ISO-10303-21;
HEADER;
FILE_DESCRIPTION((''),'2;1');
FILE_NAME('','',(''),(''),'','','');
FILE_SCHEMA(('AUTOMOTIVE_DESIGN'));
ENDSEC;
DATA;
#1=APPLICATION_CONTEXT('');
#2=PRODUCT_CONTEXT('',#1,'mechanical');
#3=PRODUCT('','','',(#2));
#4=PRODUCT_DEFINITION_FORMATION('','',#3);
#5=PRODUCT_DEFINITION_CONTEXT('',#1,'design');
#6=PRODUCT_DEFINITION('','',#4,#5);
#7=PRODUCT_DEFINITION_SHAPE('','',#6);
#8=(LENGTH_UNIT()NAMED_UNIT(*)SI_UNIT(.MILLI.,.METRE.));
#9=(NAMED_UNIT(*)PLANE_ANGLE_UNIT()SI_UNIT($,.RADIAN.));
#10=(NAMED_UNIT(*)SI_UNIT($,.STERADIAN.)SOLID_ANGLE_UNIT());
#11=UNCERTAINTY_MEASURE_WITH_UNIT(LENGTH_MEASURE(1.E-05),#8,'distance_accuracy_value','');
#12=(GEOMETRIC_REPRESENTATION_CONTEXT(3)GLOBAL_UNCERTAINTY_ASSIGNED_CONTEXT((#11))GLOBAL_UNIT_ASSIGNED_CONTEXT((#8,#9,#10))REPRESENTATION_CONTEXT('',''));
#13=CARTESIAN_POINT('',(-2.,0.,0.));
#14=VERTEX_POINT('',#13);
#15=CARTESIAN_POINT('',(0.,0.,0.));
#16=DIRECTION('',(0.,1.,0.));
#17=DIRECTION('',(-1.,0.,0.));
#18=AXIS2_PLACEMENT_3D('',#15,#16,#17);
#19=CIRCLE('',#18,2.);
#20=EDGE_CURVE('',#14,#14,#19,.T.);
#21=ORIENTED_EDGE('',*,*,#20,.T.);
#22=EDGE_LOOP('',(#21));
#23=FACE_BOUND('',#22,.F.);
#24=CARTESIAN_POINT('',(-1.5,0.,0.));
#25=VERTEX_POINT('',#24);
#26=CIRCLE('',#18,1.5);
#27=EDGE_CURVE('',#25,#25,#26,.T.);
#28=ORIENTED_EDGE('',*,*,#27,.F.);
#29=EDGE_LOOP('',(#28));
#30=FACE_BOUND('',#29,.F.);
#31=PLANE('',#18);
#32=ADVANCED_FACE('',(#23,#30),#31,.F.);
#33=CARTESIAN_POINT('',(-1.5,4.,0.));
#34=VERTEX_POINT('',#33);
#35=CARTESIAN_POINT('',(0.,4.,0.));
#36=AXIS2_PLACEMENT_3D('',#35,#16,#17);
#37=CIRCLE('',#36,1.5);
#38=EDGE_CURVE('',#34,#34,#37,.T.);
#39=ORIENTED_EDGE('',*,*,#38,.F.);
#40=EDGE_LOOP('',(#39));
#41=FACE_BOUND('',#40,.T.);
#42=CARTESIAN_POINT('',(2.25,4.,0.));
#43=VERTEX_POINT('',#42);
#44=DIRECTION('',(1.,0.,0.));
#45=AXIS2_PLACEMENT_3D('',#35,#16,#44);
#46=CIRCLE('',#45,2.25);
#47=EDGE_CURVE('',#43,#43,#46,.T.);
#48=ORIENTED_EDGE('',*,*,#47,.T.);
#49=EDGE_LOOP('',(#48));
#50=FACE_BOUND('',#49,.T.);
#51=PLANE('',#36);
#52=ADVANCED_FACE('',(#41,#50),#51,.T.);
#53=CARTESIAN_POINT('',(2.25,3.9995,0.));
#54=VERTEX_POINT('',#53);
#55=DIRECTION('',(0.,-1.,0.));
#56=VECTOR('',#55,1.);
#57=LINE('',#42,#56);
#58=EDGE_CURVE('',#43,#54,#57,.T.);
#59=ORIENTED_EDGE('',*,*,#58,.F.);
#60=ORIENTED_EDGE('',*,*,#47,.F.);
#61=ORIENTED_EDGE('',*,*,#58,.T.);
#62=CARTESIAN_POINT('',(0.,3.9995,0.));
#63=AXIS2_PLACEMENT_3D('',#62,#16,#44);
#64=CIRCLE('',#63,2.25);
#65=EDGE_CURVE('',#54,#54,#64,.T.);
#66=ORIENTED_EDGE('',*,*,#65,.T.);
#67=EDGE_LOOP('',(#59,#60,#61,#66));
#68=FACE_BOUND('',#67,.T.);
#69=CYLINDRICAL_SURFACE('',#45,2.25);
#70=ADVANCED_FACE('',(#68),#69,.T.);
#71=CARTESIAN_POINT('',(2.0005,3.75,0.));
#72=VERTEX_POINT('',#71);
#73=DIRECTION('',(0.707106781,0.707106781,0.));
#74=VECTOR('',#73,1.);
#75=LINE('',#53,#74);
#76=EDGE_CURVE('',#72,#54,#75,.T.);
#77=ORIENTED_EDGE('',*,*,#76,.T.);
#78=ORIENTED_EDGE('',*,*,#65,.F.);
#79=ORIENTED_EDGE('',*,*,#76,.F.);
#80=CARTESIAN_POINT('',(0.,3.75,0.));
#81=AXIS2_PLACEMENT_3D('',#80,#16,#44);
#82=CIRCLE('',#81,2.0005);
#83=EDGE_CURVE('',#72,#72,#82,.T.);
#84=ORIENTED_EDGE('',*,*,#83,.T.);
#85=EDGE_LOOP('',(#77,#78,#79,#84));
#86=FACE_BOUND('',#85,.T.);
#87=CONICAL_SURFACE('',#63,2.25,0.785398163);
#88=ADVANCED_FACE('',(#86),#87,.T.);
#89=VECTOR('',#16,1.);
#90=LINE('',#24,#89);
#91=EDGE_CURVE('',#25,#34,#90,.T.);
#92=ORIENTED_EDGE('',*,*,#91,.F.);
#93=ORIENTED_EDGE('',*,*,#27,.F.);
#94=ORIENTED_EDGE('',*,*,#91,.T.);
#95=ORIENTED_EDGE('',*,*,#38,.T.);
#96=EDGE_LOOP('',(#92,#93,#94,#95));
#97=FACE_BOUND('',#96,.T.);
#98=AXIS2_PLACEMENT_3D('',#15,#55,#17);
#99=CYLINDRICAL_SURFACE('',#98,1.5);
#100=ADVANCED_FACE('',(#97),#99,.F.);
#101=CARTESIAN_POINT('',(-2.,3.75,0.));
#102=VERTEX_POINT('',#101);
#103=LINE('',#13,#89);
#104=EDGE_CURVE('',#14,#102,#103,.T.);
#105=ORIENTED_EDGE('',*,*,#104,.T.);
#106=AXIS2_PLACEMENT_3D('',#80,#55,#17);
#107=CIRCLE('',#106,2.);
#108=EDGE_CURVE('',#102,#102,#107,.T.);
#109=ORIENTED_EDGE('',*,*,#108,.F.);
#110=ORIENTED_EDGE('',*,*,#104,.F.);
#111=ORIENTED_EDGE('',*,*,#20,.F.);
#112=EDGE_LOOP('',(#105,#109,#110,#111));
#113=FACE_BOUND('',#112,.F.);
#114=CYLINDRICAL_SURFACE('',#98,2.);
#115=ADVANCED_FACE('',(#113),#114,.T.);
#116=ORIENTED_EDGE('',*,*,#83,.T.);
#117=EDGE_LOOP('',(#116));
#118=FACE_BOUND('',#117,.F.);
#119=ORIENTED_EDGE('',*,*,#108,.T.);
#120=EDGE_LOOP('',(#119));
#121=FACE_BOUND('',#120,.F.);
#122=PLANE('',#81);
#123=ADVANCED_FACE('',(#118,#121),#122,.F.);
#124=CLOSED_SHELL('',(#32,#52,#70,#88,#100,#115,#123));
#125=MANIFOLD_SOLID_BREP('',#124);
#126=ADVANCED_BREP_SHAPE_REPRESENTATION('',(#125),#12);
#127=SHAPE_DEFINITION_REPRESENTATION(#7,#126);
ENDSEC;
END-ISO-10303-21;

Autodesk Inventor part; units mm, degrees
ref_plane "YZ Plane" through (0, 0, 0) normal (1, 0, 0) x (0, 1, 0)
ref_plane "XZ Plane" through (0, 0, 0) normal (0, 1, 0) x (-1, 0, 0)
ref_plane "XY Plane" through (0, 0, 0) normal (0, 0, 1) x (1, 0, 0)
sketch "Sketch1" plane through (0, 0, 0) normal (0, 1, 0) x (-1, 0, 0)
  circle A0 centre (0, 0) radius 2
  circle A1 centre (0, 0) radius 1.5
  dimension "d0" = 4
  dimension "d1" = 3
extrude "Extrusion1" add sketch "Sketch1" along normal blind 4
sketch "Sketch2" plane through (0, 4, 0) normal (0, 1, 0) x (1, 0, 0)
  circle A0 centre (0, 0) radius 2.25
  circle A1 centre (0, 0) radius 2
  dimension "d4" = 4.5
extrude "Extrusion2" add sketch "Sketch2" against normal blind 0.25
chamfer "Chamfer1" distance 0.25 angle 45 1 edges at (-2.25, 3.75, 0)
thread "Thread1" size "M3x0.5" class "6H" standard "ANSI Metric M Profile" full length
properties part number "Threaded_Insert_M3x4" material "Brass, Soft Yellow"
